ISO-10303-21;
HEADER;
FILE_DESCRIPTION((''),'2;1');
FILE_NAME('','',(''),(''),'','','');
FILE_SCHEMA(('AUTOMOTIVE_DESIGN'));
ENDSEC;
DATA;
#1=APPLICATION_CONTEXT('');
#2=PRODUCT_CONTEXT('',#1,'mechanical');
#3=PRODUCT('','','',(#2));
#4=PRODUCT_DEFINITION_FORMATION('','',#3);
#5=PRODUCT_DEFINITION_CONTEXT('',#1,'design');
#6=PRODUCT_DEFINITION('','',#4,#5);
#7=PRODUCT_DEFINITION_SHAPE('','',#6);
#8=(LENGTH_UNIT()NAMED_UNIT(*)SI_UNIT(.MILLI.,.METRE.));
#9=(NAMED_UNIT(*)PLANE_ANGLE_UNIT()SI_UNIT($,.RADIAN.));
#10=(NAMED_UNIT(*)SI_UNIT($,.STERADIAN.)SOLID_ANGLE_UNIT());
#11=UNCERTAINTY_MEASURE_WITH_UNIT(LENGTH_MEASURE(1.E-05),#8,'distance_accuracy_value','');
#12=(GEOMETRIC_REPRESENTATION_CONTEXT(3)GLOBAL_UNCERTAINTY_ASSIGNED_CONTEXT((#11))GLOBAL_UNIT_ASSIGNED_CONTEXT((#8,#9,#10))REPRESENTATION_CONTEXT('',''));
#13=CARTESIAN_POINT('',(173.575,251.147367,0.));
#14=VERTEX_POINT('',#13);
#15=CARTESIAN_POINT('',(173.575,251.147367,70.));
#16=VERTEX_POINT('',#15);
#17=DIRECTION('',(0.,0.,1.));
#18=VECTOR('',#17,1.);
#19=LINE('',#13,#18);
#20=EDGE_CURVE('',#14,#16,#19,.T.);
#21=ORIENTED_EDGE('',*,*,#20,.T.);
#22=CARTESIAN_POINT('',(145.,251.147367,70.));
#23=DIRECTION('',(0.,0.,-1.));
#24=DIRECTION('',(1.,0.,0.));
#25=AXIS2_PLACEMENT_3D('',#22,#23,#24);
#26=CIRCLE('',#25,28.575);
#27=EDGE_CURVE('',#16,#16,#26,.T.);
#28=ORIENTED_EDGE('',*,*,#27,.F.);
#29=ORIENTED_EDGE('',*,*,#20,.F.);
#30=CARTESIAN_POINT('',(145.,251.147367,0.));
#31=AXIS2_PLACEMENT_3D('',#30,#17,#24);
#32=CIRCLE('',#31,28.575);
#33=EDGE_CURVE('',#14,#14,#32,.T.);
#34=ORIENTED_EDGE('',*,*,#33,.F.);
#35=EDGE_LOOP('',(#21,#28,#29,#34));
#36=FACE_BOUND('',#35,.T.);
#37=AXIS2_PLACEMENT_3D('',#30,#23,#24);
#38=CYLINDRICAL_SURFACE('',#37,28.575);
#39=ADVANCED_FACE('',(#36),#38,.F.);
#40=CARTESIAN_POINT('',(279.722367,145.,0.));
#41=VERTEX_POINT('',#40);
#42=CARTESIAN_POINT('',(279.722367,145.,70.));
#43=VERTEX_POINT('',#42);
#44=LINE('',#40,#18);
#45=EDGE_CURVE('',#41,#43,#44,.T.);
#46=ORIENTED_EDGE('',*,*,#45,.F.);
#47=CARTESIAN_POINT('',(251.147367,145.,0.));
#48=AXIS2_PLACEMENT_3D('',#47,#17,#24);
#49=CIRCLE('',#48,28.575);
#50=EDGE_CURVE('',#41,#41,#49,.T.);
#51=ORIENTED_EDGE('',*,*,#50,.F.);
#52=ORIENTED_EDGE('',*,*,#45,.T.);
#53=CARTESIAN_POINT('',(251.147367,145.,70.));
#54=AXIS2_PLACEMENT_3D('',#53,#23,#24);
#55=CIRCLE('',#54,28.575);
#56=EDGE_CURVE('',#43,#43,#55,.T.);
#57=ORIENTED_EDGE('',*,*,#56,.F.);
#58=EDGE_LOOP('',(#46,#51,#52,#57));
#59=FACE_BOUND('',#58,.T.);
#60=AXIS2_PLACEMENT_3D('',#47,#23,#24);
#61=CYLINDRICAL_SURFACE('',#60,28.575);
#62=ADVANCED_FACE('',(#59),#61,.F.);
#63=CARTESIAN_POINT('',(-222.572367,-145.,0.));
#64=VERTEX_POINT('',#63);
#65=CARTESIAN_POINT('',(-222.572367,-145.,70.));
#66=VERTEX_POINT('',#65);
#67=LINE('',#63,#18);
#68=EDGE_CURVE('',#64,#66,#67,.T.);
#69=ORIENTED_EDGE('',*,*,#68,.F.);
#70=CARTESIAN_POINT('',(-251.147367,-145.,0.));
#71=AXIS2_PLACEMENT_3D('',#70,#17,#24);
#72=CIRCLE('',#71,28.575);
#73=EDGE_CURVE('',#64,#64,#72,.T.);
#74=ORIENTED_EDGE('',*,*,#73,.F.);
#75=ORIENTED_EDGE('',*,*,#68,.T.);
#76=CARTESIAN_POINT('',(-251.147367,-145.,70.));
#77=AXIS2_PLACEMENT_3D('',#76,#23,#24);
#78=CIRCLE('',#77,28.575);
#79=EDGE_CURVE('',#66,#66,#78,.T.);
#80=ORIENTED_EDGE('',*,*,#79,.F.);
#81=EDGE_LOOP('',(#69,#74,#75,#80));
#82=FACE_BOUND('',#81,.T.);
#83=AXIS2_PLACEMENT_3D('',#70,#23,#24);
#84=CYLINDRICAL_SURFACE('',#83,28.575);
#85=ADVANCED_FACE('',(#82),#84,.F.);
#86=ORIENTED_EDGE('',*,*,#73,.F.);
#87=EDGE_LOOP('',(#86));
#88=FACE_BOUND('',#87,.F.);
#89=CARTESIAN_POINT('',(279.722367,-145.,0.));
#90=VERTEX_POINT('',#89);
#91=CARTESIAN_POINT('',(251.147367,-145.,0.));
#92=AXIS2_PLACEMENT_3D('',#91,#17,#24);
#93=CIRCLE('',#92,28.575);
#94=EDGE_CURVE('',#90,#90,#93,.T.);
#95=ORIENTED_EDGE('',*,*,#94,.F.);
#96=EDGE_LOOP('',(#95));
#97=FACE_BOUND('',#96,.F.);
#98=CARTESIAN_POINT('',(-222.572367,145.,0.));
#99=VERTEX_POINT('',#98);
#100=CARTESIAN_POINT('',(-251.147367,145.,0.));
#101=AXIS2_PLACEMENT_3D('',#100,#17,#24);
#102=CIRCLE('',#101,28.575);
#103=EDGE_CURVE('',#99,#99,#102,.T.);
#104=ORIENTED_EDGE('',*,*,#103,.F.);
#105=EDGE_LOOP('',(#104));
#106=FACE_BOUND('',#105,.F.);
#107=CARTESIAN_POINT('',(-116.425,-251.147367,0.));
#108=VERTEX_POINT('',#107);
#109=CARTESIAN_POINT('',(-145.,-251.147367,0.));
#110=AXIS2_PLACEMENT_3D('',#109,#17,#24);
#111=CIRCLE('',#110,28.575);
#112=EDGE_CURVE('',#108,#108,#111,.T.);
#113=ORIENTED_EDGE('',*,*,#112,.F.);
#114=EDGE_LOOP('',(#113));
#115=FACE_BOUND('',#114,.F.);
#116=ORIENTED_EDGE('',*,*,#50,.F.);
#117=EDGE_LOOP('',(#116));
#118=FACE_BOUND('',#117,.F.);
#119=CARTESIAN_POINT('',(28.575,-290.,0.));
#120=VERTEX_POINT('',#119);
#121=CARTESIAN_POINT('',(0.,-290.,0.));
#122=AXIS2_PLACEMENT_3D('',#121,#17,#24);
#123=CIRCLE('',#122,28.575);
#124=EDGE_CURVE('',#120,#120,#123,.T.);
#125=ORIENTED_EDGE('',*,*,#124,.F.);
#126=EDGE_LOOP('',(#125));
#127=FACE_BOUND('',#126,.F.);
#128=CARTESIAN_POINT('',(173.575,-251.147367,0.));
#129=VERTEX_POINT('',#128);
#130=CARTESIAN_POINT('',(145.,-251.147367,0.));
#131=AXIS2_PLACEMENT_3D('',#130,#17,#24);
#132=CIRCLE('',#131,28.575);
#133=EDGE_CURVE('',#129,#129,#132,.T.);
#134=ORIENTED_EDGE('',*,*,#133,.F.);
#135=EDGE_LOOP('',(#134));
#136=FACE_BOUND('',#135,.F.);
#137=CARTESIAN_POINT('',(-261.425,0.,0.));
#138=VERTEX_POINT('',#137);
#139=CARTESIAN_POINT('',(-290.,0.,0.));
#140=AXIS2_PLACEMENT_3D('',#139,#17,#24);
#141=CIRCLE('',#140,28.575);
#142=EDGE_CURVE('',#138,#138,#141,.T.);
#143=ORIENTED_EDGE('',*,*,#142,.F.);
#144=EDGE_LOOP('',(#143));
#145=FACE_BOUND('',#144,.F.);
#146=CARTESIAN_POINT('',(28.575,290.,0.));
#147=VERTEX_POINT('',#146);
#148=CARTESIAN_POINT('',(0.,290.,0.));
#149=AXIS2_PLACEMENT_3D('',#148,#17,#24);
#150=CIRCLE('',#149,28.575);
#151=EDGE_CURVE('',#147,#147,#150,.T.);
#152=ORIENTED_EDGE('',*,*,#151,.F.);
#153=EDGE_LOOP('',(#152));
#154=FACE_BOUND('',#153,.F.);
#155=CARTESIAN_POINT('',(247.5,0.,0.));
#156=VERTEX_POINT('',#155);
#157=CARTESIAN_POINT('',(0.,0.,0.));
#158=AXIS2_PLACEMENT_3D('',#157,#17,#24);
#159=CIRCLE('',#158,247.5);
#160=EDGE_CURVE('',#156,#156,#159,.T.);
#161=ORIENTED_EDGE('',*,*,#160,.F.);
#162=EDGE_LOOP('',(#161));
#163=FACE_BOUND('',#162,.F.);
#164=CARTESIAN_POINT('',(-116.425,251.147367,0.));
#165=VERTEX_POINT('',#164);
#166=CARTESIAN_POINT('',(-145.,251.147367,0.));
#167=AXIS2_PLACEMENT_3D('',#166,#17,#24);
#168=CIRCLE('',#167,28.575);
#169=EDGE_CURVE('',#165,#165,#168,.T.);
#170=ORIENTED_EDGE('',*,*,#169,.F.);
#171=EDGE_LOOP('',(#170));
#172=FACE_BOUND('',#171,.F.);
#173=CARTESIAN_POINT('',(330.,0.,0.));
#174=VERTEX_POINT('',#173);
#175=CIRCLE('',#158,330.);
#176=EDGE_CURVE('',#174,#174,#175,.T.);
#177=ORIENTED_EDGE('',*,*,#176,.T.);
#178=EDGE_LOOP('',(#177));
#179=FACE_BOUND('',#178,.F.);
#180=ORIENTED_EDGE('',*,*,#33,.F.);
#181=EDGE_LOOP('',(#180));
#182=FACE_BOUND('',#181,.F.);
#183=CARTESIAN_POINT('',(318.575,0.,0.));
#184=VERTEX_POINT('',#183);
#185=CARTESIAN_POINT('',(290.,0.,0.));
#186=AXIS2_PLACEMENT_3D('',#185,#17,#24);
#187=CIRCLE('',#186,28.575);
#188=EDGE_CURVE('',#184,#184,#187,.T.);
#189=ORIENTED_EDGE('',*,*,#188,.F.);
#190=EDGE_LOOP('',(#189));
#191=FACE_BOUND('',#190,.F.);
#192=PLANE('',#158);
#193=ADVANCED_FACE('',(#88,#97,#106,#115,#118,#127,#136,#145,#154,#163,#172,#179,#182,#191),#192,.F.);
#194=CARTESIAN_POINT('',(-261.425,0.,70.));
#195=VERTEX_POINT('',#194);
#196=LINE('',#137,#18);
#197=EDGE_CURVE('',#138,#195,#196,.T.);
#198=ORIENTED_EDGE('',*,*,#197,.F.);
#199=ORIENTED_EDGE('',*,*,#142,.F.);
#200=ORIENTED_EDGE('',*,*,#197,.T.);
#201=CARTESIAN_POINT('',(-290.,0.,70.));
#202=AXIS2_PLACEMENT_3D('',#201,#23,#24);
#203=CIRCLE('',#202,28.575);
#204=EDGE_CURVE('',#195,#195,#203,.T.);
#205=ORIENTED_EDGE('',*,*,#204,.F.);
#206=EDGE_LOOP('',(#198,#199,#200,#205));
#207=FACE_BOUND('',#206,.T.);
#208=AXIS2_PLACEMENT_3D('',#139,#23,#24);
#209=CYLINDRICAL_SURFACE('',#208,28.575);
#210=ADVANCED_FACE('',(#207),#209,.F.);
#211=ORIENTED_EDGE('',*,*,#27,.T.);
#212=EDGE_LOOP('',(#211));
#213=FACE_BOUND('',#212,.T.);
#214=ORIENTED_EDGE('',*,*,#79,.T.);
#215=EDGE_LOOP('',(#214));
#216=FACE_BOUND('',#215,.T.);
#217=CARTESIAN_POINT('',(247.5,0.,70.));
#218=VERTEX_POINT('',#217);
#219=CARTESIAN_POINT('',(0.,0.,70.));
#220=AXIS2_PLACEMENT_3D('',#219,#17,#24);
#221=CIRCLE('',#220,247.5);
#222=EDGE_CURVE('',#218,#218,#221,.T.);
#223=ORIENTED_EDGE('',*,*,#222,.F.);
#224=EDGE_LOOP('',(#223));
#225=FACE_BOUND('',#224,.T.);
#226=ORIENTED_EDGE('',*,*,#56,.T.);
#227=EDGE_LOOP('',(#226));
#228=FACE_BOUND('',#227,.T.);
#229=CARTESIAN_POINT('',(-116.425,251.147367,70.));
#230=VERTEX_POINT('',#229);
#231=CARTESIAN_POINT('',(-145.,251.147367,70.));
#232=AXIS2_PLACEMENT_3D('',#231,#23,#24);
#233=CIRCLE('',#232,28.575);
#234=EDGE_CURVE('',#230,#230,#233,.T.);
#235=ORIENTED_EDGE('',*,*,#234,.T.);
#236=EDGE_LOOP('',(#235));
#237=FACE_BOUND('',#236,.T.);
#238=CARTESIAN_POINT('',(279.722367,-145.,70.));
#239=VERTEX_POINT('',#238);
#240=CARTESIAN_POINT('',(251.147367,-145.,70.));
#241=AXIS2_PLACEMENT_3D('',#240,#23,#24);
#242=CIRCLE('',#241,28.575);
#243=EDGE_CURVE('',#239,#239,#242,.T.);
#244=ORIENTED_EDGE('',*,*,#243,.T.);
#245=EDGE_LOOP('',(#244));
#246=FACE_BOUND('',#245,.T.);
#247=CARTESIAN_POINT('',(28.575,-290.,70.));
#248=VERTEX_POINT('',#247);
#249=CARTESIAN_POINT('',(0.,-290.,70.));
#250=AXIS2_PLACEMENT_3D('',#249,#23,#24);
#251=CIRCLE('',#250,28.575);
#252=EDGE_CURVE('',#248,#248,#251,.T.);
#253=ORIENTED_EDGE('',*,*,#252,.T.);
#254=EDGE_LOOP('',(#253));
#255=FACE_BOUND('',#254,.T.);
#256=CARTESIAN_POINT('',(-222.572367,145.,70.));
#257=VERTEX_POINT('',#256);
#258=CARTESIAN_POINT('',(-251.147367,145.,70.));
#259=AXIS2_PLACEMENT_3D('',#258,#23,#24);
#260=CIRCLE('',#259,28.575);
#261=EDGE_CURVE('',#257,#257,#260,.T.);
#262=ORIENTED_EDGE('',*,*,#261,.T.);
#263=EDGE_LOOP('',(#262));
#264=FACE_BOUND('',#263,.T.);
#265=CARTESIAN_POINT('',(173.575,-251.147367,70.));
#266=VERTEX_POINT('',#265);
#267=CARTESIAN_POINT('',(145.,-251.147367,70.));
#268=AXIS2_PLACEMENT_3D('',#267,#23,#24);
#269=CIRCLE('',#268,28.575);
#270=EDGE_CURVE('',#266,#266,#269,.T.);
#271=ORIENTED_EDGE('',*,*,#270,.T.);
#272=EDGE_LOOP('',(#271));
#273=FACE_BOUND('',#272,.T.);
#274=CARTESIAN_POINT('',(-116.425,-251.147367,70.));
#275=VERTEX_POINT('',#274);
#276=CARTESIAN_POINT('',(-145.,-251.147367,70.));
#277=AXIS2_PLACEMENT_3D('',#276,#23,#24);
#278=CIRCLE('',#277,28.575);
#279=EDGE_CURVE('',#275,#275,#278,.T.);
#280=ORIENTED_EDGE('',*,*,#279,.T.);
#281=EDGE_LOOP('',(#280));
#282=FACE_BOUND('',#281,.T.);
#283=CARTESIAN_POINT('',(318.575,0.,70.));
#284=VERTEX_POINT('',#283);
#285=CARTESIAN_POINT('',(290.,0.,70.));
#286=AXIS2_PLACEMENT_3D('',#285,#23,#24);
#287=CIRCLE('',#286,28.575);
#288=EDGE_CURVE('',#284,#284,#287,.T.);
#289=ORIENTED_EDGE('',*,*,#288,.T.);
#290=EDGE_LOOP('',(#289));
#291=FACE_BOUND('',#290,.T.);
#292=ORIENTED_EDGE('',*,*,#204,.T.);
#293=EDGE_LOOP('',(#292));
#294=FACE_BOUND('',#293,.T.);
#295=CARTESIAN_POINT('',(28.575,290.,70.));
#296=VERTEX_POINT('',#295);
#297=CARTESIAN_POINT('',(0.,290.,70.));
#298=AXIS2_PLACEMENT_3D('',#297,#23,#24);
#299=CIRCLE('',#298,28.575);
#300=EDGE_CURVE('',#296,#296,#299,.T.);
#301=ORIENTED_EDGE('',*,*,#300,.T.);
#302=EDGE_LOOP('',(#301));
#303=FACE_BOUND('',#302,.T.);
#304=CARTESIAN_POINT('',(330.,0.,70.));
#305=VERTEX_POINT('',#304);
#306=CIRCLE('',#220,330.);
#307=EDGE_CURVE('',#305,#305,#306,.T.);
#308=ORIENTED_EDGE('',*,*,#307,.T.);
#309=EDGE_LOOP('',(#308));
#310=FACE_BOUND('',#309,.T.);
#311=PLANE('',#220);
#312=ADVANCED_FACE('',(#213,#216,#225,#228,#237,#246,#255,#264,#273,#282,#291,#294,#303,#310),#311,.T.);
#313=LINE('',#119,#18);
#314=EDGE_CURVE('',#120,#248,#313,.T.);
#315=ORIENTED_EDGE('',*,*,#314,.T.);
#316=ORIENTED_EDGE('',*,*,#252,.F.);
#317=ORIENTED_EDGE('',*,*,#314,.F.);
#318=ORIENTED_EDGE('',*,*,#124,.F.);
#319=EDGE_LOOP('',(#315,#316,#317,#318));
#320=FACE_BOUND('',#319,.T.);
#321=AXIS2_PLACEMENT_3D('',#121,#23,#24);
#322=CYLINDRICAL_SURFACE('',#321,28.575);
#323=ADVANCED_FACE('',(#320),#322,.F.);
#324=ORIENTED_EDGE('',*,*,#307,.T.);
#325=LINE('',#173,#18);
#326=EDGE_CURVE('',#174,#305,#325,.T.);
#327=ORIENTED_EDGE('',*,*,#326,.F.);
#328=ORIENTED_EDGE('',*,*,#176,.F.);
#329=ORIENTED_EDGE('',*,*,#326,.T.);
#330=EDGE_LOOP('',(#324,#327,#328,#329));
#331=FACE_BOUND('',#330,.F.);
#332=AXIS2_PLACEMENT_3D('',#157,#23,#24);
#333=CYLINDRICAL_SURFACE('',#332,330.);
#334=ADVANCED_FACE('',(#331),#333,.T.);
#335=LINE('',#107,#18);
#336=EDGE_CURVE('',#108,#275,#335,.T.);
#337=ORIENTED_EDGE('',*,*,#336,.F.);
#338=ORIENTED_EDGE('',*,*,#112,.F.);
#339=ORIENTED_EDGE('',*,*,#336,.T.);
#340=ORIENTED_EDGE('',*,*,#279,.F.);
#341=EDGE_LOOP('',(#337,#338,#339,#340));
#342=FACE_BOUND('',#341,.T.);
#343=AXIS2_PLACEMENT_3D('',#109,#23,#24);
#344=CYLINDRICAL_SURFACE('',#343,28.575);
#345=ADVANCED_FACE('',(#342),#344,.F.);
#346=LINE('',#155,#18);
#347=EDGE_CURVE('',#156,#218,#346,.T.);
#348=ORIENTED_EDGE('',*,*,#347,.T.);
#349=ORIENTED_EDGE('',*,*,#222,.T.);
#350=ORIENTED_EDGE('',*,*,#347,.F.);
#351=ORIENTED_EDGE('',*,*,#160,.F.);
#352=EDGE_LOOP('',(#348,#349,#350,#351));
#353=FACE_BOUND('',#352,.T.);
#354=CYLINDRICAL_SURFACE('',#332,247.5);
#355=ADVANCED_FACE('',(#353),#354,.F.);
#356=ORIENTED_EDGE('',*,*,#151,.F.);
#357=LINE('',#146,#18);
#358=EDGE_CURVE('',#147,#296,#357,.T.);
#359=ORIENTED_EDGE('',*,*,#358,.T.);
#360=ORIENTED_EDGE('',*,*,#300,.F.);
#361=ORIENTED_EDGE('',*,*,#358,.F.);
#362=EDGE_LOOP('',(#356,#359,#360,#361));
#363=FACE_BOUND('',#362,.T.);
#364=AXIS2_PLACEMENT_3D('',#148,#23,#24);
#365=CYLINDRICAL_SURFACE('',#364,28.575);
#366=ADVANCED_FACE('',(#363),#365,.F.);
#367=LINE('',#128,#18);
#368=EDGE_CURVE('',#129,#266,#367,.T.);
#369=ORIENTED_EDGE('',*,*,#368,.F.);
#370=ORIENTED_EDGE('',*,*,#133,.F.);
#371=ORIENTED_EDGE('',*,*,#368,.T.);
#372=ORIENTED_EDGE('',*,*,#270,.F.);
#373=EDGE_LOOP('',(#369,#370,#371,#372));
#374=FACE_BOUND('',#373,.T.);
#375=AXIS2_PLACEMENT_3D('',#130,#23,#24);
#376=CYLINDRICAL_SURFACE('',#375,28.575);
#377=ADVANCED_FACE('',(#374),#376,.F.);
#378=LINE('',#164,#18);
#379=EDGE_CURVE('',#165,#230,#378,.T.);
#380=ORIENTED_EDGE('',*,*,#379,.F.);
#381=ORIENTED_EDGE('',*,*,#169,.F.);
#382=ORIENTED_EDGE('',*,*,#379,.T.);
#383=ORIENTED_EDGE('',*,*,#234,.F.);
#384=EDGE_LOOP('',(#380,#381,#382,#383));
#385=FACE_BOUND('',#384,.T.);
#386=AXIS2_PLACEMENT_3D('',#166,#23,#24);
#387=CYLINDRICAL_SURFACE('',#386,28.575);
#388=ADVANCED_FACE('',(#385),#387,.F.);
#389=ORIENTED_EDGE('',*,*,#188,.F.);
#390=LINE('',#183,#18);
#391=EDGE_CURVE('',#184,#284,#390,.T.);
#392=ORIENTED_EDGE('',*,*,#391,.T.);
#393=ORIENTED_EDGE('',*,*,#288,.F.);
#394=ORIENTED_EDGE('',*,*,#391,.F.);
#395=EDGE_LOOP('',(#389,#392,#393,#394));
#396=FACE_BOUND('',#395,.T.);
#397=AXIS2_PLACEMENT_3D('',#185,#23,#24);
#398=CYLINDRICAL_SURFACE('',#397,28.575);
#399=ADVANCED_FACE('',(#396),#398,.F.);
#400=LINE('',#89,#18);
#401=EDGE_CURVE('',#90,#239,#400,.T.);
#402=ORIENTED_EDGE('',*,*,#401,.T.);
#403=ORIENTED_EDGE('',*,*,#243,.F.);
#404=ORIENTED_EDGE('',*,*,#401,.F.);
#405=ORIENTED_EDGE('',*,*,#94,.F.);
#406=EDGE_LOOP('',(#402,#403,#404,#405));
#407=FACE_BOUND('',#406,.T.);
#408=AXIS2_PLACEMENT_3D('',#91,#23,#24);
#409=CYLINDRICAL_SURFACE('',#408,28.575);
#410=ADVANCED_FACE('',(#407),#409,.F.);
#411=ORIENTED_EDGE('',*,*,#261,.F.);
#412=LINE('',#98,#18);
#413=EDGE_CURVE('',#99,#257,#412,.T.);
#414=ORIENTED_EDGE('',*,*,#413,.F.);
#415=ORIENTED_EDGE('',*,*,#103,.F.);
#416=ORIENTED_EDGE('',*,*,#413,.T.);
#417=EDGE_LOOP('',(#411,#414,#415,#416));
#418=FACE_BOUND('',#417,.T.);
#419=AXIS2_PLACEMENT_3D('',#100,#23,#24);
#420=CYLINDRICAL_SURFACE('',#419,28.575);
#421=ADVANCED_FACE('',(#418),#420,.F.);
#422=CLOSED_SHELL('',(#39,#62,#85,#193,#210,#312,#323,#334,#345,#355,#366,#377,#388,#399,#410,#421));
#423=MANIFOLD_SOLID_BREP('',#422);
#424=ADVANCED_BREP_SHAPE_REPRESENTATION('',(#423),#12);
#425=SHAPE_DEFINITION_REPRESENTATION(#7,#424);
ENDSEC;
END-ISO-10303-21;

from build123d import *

# Parameters (mm, degrees)
SKETCH1_R           = 330
SKETCH1_R_2         = 247.5
BOSS_EXTRUDE1_DEPTH = 70
SKETCH2_R           = 28.575
CUT_EXTRUDE1_DEPTH  = 131


with BuildPart() as part:
    # Sketch1 → Boss-Extrude1 (new body)
    with BuildSketch(Plane.XY):
        Circle(SKETCH1_R)
        Circle(SKETCH1_R_2, mode=Mode.SUBTRACT)
    extrude(amount=BOSS_EXTRUDE1_DEPTH)

    # Sketch2 → Cut-Extrude1 (cut)
    with BuildSketch(Plane.XY):
        with Locations((0, 290)):
            Circle(SKETCH2_R)
        with Locations((145, 251.147367097)):
            Circle(SKETCH2_R)
        with Locations((251.147367097, 145)):
            Circle(SKETCH2_R)
        with Locations((290, 0)):
            Circle(SKETCH2_R)
        with Locations((251.147367098, -145)):
            Circle(SKETCH2_R)
        with Locations((145, -251.147367097)):
            Circle(SKETCH2_R)
        with Locations((0, -290)):
            Circle(SKETCH2_R)
        with Locations((-145, -251.147367097)):
            Circle(SKETCH2_R)
        with Locations((-251.147367097, -145)):
            Circle(SKETCH2_R)
        with Locations((-290, 0)):
            Circle(SKETCH2_R)
        with Locations((-251.147367097, 145)):
            Circle(SKETCH2_R)
        with Locations((-145, 251.147367097)):
            Circle(SKETCH2_R)
    extrude(amount=CUT_EXTRUDE1_DEPTH, mode=Mode.SUBTRACT)


solid = part.part
